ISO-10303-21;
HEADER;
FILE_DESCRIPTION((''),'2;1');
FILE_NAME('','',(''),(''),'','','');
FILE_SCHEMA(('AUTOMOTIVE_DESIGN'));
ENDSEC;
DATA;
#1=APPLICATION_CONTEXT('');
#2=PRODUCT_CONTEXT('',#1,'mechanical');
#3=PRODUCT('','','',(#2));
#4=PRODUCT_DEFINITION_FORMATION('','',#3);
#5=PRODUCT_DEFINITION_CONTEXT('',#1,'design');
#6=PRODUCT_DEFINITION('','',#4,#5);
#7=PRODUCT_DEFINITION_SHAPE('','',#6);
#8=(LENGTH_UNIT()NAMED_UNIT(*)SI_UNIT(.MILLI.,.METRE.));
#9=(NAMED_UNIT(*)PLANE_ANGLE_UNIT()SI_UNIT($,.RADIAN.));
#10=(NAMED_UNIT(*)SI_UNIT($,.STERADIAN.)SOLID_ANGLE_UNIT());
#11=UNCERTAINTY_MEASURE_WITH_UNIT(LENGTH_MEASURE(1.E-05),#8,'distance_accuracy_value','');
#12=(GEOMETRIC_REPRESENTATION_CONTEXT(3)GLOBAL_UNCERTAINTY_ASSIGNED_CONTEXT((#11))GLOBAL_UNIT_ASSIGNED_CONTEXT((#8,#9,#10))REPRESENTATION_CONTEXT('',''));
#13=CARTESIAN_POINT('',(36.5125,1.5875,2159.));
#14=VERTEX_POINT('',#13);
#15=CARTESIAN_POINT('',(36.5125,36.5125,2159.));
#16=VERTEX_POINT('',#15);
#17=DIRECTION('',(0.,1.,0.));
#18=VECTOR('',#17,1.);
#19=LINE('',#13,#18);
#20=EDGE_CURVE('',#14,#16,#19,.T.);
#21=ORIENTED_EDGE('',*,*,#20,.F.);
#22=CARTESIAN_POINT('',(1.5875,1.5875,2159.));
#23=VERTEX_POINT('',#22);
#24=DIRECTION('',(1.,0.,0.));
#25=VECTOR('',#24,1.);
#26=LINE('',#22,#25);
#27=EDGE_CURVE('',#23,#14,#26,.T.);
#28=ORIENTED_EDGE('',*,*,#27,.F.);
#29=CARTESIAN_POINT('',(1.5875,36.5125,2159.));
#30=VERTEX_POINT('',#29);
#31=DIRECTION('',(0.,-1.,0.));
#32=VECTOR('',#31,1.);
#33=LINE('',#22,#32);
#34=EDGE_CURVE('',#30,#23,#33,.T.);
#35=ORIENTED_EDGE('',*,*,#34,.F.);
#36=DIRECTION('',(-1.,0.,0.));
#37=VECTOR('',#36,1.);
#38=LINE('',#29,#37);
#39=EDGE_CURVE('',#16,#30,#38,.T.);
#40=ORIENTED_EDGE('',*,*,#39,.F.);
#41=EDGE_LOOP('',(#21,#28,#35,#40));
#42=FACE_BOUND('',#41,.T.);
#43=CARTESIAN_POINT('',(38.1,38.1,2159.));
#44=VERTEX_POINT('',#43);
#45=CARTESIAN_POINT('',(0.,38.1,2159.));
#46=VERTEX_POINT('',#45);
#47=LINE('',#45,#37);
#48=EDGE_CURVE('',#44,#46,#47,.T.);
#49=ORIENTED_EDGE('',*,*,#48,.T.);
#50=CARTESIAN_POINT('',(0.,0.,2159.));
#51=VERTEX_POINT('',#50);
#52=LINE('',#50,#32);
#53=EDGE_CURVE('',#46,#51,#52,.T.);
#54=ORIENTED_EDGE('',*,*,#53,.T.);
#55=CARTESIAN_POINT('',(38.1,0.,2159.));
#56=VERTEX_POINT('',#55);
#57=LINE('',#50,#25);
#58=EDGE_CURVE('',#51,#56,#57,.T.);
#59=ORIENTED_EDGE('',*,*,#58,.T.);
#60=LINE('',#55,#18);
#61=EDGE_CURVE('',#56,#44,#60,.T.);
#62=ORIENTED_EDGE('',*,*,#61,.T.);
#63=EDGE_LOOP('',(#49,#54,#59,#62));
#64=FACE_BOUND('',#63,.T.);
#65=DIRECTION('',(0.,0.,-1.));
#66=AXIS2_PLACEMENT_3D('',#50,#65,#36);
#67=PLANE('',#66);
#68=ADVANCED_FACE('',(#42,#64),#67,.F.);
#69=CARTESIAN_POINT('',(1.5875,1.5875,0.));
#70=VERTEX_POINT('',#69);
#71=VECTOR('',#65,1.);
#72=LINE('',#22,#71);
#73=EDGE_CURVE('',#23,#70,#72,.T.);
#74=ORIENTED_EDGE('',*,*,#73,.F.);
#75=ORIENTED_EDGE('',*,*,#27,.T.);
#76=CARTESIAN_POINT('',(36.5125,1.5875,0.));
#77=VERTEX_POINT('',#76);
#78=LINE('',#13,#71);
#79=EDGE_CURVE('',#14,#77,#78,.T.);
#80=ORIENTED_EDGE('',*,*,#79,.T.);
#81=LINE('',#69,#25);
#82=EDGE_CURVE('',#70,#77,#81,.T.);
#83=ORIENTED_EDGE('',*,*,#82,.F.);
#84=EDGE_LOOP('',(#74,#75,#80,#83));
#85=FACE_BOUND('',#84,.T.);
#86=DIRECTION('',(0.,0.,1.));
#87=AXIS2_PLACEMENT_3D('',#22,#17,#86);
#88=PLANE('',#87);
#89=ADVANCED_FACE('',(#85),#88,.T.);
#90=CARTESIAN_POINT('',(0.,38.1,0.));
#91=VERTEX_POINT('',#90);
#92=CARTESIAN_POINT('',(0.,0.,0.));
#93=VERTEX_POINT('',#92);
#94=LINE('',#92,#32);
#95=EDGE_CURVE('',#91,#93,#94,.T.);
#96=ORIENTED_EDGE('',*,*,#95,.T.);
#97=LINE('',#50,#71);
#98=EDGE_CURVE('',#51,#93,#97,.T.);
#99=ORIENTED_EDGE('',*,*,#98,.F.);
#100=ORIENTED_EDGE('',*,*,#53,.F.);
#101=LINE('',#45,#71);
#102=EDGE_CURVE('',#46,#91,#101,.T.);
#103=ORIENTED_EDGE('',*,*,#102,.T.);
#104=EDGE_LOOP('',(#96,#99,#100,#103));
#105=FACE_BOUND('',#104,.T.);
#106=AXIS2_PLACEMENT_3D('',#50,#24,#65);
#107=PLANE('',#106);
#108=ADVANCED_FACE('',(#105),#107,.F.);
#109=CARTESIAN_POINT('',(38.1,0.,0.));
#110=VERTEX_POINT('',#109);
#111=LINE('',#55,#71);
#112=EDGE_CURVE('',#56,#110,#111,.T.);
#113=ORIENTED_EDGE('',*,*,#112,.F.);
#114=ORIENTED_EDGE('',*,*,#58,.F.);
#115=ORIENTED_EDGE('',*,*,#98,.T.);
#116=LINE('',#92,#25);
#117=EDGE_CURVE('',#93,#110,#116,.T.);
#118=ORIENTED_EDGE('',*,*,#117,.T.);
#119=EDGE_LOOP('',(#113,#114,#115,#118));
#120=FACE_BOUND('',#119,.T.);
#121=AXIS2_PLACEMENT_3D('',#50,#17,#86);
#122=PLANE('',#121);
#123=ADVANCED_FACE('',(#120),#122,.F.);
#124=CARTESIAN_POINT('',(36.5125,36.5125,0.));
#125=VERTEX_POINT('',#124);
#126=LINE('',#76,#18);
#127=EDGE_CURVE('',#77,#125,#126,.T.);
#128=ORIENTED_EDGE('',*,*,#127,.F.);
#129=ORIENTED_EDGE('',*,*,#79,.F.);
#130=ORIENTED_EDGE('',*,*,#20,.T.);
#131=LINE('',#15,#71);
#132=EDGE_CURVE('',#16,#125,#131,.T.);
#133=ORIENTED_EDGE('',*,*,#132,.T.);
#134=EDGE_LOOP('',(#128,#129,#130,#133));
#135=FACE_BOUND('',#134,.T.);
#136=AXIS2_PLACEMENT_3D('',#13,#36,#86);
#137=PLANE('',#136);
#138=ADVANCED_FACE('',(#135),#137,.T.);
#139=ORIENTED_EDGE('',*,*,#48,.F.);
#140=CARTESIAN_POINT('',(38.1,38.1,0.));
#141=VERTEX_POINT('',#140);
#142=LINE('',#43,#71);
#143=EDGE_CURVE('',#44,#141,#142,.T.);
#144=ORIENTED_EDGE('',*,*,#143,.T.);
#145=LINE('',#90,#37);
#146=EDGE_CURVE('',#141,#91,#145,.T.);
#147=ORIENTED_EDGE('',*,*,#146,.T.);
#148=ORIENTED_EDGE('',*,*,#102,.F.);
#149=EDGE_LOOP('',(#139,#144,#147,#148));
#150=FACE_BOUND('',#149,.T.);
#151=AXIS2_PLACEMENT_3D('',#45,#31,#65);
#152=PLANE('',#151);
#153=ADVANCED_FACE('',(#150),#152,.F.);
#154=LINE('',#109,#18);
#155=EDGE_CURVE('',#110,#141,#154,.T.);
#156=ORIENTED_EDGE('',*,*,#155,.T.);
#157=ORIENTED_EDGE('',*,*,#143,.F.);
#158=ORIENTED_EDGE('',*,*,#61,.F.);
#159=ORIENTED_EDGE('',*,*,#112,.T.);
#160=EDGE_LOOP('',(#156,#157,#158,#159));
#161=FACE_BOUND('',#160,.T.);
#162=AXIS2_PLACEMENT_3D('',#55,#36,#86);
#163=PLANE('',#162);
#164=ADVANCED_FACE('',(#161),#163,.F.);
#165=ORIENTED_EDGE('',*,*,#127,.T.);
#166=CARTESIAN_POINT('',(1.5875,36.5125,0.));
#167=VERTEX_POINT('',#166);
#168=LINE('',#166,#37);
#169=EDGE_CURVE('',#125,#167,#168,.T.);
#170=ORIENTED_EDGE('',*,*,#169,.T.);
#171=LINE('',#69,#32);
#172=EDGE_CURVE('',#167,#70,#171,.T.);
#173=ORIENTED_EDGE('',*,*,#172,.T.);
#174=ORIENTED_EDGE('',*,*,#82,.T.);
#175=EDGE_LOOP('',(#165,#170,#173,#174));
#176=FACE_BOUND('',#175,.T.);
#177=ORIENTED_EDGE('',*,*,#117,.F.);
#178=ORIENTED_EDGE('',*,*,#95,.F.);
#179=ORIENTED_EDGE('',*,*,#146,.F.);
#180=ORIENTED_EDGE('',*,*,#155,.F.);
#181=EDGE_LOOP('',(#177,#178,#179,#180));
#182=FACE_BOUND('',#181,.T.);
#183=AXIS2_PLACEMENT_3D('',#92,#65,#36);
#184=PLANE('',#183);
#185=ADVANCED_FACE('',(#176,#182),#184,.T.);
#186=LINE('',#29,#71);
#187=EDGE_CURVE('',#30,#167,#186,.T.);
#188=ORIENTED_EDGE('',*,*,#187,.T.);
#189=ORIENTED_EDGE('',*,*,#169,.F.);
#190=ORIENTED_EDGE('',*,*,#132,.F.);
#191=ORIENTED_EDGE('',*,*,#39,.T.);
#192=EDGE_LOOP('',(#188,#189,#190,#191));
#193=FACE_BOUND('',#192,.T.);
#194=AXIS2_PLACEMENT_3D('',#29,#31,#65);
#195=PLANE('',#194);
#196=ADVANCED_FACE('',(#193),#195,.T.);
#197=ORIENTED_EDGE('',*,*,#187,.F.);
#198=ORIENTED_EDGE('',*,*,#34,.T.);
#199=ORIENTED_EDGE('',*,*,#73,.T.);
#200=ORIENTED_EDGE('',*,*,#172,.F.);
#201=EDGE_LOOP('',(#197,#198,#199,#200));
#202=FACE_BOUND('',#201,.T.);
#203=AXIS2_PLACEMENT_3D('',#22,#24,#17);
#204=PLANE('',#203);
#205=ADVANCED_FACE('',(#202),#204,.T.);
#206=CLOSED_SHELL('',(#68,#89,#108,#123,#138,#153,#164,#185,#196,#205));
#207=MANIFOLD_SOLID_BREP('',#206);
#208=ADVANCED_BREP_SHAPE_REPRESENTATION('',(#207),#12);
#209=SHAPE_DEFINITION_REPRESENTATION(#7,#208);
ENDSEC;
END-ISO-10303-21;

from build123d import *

# Parameters (mm, degrees)
SKETCH2_W           = 38.1
SKETCH2_H           = 38.1
SKETCH2_W_2         = 34.925
SKETCH2_H_2         = 34.925
BOSS_EXTRUDE1_DEPTH = 2159


with BuildPart() as part:
    # Sketch2 → Boss-Extrude1 (new body)
    with BuildSketch(Plane.XY):
        with Locations((19.05, 19.05)):
            Rectangle(SKETCH2_W, SKETCH2_H)
        with Locations((19.05, 19.05)):
            Rectangle(SKETCH2_W_2, SKETCH2_H_2, mode=Mode.SUBTRACT)
    extrude(amount=BOSS_EXTRUDE1_DEPTH)


solid = part.part
